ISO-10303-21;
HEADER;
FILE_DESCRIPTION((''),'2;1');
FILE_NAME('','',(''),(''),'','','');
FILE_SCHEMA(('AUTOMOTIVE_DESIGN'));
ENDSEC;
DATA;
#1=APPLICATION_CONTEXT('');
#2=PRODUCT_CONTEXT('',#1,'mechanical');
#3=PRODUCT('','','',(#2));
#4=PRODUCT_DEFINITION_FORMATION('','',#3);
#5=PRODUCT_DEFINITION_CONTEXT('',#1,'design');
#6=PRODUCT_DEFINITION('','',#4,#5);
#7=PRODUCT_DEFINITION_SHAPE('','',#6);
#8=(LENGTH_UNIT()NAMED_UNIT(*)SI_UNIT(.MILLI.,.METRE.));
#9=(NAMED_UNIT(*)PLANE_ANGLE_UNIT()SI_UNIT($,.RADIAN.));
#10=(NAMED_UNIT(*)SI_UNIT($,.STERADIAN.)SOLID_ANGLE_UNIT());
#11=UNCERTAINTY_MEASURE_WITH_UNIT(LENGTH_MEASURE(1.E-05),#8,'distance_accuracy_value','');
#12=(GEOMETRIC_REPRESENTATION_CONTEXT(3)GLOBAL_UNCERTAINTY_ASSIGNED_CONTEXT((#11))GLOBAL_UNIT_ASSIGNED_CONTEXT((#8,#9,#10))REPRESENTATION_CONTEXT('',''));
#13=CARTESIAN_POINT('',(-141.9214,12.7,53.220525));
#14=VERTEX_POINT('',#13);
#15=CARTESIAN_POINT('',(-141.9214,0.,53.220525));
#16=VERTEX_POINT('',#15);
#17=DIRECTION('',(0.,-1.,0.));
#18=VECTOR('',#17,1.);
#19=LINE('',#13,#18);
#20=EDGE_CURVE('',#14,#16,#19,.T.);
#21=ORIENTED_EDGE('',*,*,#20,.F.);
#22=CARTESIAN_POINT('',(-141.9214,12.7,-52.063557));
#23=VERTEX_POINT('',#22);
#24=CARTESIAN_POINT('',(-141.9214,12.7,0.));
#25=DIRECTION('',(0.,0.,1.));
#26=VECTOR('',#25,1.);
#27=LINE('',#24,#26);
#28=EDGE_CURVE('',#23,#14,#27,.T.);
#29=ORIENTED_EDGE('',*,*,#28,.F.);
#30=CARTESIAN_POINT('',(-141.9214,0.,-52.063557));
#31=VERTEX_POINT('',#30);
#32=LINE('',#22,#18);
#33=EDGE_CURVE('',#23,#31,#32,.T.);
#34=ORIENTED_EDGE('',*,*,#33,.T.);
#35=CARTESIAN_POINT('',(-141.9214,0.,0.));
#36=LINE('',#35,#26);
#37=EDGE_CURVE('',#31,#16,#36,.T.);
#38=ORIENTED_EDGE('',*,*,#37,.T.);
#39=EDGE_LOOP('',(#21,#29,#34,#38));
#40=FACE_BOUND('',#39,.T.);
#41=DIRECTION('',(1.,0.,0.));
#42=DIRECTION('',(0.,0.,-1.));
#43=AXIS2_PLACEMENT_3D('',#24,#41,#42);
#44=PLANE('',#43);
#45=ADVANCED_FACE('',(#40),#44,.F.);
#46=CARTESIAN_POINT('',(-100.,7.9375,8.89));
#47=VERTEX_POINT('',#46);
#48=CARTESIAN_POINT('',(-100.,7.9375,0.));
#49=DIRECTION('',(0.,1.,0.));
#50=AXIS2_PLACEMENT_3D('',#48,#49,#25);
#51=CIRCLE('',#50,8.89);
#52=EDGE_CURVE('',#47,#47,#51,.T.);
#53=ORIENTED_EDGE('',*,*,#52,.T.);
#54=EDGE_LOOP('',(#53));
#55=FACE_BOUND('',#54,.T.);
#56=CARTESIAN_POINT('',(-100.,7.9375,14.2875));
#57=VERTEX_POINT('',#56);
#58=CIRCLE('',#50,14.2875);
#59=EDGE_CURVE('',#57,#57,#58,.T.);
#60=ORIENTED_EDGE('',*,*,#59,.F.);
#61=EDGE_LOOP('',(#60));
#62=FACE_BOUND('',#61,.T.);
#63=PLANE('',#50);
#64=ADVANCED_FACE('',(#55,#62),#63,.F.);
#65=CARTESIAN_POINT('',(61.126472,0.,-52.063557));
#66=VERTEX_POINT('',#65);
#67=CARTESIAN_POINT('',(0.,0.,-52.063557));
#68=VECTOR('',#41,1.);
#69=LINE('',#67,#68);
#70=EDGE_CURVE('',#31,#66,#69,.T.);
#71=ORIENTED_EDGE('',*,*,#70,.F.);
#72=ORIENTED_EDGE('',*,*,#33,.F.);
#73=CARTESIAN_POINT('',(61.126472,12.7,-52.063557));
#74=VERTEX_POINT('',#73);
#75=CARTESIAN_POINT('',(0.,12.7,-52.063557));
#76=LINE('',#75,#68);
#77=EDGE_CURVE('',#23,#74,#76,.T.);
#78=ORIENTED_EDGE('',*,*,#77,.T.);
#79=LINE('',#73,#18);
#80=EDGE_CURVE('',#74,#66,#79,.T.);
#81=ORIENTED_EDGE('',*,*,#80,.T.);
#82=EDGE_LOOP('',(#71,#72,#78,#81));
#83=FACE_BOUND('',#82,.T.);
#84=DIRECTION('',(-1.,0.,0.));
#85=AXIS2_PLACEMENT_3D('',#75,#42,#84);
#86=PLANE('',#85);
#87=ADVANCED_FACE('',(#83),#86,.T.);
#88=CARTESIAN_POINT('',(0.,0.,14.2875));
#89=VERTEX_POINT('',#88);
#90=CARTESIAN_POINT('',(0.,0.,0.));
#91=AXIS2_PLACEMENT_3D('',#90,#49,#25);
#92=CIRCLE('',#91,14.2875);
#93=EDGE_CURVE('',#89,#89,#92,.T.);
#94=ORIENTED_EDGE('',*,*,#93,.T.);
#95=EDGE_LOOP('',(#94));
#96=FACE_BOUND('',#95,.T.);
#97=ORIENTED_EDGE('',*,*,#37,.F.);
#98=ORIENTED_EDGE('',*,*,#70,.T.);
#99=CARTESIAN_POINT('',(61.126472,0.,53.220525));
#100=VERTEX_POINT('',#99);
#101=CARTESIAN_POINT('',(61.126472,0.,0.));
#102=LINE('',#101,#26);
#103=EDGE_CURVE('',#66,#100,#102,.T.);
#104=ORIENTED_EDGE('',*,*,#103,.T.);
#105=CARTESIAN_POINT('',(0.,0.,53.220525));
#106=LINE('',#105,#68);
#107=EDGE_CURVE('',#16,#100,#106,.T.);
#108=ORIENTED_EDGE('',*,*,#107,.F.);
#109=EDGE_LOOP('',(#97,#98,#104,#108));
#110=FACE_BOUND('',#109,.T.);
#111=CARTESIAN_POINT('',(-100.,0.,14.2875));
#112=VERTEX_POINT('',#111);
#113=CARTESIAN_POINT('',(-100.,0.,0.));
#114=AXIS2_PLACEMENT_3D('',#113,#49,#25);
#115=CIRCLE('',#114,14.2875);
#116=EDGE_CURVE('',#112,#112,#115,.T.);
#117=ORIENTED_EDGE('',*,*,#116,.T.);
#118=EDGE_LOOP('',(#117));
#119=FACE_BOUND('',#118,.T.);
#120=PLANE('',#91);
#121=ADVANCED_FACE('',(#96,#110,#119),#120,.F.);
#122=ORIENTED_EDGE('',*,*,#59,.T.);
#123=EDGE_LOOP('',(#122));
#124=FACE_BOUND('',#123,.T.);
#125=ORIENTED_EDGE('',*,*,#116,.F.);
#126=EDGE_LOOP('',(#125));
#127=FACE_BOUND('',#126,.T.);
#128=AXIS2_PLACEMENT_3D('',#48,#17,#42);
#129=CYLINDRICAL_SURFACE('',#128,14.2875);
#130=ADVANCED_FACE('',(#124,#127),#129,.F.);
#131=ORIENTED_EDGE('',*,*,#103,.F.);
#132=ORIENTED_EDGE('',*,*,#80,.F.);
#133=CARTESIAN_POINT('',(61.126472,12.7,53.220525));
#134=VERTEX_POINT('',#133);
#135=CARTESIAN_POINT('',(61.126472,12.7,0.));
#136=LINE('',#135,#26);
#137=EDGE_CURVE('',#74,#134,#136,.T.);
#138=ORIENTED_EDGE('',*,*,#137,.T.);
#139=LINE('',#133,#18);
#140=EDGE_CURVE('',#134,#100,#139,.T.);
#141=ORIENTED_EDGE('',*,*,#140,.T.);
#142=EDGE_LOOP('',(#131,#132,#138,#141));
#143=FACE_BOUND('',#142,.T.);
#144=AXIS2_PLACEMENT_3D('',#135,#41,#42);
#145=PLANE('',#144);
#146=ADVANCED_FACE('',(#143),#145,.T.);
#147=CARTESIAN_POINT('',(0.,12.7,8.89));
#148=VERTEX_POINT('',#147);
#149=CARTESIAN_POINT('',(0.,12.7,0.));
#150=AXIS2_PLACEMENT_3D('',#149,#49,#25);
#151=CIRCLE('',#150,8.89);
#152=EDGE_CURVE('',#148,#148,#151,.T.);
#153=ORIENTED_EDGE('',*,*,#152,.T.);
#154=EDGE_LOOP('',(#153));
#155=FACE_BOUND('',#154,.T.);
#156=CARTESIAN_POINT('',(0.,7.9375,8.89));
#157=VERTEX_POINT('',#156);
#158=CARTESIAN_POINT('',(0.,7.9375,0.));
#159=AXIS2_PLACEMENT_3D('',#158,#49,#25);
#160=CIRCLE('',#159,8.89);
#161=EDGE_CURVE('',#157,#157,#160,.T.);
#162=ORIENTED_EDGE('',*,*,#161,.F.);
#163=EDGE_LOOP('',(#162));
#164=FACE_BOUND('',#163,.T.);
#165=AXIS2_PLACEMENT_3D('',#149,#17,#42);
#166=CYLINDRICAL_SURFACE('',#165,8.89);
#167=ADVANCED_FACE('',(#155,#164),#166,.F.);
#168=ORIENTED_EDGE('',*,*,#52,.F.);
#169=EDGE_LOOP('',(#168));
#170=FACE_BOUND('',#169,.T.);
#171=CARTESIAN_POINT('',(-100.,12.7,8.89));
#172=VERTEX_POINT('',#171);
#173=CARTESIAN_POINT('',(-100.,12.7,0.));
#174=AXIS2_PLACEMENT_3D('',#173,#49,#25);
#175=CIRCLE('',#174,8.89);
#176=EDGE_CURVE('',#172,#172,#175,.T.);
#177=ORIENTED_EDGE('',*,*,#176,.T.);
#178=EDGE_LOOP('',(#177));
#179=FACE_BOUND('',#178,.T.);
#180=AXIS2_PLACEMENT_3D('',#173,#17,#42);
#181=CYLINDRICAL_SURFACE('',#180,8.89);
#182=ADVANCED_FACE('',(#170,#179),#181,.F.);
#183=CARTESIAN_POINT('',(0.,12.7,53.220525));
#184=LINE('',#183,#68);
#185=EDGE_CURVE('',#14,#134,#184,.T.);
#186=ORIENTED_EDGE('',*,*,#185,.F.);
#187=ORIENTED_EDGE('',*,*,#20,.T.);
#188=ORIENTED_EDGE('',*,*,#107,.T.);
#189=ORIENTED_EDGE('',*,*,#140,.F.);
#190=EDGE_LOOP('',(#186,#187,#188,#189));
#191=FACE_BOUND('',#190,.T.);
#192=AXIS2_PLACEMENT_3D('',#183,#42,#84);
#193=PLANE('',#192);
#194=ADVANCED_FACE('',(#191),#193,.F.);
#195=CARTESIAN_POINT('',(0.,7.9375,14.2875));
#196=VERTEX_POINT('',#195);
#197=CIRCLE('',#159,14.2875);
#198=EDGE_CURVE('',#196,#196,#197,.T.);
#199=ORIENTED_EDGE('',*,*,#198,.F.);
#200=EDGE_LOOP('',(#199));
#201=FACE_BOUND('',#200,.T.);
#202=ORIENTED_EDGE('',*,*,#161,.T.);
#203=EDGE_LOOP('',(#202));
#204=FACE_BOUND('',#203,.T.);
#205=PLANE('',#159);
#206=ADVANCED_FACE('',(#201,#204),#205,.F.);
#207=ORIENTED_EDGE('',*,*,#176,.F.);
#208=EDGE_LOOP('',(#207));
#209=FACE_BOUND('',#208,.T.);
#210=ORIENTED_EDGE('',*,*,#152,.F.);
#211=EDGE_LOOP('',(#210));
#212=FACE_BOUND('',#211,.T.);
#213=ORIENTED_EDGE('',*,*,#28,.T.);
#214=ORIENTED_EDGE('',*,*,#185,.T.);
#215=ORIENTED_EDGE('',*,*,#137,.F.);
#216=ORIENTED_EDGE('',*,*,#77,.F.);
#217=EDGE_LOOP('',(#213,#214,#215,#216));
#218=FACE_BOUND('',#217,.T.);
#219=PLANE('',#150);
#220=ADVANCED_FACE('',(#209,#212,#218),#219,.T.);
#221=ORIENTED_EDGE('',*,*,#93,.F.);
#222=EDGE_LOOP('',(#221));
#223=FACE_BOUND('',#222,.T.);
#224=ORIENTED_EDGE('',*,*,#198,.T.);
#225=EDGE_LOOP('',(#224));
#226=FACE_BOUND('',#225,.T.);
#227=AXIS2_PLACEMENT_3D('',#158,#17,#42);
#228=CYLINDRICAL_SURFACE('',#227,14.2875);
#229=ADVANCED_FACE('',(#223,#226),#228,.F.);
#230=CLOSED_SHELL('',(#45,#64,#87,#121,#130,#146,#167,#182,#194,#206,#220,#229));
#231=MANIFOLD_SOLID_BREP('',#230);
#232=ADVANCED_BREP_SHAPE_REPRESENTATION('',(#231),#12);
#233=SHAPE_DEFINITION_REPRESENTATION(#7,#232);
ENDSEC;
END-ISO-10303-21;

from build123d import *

# Parameters (mm, degrees)
SKETCH1_W           = 203.047872021
SKETCH1_H           = 105.284081788
SKETCH1_R           = 8.89
BOSS_EXTRUDE1_DEPTH = 12.7
SKETCH2_R           = 14.2875
CUT_EXTRUDE1_DEPTH  = 7.9375


with BuildPart() as part:
    # Sketch1 → Boss-Extrude1 (new body)
    with BuildSketch(Plane(origin=(0, 0, 0), x_dir=(1, 0, 0), z_dir=(0, 1, 0))):
        with Locations((-40.397463616, -0.578483966)):
            Rectangle(SKETCH1_W, SKETCH1_H)
        with Locations(Location((-100, 0, 0), (0, 0, 270))):
            Circle(SKETCH1_R, mode=Mode.SUBTRACT)
        with Locations(Location((0, 0, 0), (0, 0, 270))):
            Circle(SKETCH1_R, mode=Mode.SUBTRACT)
    extrude(amount=BOSS_EXTRUDE1_DEPTH)

    # Sketch2 → Cut-Extrude1 (cut)
    with BuildSketch(Plane(origin=(0, 0, 0), x_dir=(1, 0, 0), z_dir=(0, 1, 0))):
        with Locations(Location((-100, 0, 0), (0, 0, 270))):
            Circle(SKETCH2_R)
        with Locations(Location((0, 0, 0), (0, 0, 270))):
            Circle(SKETCH2_R)
    extrude(amount=CUT_EXTRUDE1_DEPTH, mode=Mode.SUBTRACT)


solid = part.part
